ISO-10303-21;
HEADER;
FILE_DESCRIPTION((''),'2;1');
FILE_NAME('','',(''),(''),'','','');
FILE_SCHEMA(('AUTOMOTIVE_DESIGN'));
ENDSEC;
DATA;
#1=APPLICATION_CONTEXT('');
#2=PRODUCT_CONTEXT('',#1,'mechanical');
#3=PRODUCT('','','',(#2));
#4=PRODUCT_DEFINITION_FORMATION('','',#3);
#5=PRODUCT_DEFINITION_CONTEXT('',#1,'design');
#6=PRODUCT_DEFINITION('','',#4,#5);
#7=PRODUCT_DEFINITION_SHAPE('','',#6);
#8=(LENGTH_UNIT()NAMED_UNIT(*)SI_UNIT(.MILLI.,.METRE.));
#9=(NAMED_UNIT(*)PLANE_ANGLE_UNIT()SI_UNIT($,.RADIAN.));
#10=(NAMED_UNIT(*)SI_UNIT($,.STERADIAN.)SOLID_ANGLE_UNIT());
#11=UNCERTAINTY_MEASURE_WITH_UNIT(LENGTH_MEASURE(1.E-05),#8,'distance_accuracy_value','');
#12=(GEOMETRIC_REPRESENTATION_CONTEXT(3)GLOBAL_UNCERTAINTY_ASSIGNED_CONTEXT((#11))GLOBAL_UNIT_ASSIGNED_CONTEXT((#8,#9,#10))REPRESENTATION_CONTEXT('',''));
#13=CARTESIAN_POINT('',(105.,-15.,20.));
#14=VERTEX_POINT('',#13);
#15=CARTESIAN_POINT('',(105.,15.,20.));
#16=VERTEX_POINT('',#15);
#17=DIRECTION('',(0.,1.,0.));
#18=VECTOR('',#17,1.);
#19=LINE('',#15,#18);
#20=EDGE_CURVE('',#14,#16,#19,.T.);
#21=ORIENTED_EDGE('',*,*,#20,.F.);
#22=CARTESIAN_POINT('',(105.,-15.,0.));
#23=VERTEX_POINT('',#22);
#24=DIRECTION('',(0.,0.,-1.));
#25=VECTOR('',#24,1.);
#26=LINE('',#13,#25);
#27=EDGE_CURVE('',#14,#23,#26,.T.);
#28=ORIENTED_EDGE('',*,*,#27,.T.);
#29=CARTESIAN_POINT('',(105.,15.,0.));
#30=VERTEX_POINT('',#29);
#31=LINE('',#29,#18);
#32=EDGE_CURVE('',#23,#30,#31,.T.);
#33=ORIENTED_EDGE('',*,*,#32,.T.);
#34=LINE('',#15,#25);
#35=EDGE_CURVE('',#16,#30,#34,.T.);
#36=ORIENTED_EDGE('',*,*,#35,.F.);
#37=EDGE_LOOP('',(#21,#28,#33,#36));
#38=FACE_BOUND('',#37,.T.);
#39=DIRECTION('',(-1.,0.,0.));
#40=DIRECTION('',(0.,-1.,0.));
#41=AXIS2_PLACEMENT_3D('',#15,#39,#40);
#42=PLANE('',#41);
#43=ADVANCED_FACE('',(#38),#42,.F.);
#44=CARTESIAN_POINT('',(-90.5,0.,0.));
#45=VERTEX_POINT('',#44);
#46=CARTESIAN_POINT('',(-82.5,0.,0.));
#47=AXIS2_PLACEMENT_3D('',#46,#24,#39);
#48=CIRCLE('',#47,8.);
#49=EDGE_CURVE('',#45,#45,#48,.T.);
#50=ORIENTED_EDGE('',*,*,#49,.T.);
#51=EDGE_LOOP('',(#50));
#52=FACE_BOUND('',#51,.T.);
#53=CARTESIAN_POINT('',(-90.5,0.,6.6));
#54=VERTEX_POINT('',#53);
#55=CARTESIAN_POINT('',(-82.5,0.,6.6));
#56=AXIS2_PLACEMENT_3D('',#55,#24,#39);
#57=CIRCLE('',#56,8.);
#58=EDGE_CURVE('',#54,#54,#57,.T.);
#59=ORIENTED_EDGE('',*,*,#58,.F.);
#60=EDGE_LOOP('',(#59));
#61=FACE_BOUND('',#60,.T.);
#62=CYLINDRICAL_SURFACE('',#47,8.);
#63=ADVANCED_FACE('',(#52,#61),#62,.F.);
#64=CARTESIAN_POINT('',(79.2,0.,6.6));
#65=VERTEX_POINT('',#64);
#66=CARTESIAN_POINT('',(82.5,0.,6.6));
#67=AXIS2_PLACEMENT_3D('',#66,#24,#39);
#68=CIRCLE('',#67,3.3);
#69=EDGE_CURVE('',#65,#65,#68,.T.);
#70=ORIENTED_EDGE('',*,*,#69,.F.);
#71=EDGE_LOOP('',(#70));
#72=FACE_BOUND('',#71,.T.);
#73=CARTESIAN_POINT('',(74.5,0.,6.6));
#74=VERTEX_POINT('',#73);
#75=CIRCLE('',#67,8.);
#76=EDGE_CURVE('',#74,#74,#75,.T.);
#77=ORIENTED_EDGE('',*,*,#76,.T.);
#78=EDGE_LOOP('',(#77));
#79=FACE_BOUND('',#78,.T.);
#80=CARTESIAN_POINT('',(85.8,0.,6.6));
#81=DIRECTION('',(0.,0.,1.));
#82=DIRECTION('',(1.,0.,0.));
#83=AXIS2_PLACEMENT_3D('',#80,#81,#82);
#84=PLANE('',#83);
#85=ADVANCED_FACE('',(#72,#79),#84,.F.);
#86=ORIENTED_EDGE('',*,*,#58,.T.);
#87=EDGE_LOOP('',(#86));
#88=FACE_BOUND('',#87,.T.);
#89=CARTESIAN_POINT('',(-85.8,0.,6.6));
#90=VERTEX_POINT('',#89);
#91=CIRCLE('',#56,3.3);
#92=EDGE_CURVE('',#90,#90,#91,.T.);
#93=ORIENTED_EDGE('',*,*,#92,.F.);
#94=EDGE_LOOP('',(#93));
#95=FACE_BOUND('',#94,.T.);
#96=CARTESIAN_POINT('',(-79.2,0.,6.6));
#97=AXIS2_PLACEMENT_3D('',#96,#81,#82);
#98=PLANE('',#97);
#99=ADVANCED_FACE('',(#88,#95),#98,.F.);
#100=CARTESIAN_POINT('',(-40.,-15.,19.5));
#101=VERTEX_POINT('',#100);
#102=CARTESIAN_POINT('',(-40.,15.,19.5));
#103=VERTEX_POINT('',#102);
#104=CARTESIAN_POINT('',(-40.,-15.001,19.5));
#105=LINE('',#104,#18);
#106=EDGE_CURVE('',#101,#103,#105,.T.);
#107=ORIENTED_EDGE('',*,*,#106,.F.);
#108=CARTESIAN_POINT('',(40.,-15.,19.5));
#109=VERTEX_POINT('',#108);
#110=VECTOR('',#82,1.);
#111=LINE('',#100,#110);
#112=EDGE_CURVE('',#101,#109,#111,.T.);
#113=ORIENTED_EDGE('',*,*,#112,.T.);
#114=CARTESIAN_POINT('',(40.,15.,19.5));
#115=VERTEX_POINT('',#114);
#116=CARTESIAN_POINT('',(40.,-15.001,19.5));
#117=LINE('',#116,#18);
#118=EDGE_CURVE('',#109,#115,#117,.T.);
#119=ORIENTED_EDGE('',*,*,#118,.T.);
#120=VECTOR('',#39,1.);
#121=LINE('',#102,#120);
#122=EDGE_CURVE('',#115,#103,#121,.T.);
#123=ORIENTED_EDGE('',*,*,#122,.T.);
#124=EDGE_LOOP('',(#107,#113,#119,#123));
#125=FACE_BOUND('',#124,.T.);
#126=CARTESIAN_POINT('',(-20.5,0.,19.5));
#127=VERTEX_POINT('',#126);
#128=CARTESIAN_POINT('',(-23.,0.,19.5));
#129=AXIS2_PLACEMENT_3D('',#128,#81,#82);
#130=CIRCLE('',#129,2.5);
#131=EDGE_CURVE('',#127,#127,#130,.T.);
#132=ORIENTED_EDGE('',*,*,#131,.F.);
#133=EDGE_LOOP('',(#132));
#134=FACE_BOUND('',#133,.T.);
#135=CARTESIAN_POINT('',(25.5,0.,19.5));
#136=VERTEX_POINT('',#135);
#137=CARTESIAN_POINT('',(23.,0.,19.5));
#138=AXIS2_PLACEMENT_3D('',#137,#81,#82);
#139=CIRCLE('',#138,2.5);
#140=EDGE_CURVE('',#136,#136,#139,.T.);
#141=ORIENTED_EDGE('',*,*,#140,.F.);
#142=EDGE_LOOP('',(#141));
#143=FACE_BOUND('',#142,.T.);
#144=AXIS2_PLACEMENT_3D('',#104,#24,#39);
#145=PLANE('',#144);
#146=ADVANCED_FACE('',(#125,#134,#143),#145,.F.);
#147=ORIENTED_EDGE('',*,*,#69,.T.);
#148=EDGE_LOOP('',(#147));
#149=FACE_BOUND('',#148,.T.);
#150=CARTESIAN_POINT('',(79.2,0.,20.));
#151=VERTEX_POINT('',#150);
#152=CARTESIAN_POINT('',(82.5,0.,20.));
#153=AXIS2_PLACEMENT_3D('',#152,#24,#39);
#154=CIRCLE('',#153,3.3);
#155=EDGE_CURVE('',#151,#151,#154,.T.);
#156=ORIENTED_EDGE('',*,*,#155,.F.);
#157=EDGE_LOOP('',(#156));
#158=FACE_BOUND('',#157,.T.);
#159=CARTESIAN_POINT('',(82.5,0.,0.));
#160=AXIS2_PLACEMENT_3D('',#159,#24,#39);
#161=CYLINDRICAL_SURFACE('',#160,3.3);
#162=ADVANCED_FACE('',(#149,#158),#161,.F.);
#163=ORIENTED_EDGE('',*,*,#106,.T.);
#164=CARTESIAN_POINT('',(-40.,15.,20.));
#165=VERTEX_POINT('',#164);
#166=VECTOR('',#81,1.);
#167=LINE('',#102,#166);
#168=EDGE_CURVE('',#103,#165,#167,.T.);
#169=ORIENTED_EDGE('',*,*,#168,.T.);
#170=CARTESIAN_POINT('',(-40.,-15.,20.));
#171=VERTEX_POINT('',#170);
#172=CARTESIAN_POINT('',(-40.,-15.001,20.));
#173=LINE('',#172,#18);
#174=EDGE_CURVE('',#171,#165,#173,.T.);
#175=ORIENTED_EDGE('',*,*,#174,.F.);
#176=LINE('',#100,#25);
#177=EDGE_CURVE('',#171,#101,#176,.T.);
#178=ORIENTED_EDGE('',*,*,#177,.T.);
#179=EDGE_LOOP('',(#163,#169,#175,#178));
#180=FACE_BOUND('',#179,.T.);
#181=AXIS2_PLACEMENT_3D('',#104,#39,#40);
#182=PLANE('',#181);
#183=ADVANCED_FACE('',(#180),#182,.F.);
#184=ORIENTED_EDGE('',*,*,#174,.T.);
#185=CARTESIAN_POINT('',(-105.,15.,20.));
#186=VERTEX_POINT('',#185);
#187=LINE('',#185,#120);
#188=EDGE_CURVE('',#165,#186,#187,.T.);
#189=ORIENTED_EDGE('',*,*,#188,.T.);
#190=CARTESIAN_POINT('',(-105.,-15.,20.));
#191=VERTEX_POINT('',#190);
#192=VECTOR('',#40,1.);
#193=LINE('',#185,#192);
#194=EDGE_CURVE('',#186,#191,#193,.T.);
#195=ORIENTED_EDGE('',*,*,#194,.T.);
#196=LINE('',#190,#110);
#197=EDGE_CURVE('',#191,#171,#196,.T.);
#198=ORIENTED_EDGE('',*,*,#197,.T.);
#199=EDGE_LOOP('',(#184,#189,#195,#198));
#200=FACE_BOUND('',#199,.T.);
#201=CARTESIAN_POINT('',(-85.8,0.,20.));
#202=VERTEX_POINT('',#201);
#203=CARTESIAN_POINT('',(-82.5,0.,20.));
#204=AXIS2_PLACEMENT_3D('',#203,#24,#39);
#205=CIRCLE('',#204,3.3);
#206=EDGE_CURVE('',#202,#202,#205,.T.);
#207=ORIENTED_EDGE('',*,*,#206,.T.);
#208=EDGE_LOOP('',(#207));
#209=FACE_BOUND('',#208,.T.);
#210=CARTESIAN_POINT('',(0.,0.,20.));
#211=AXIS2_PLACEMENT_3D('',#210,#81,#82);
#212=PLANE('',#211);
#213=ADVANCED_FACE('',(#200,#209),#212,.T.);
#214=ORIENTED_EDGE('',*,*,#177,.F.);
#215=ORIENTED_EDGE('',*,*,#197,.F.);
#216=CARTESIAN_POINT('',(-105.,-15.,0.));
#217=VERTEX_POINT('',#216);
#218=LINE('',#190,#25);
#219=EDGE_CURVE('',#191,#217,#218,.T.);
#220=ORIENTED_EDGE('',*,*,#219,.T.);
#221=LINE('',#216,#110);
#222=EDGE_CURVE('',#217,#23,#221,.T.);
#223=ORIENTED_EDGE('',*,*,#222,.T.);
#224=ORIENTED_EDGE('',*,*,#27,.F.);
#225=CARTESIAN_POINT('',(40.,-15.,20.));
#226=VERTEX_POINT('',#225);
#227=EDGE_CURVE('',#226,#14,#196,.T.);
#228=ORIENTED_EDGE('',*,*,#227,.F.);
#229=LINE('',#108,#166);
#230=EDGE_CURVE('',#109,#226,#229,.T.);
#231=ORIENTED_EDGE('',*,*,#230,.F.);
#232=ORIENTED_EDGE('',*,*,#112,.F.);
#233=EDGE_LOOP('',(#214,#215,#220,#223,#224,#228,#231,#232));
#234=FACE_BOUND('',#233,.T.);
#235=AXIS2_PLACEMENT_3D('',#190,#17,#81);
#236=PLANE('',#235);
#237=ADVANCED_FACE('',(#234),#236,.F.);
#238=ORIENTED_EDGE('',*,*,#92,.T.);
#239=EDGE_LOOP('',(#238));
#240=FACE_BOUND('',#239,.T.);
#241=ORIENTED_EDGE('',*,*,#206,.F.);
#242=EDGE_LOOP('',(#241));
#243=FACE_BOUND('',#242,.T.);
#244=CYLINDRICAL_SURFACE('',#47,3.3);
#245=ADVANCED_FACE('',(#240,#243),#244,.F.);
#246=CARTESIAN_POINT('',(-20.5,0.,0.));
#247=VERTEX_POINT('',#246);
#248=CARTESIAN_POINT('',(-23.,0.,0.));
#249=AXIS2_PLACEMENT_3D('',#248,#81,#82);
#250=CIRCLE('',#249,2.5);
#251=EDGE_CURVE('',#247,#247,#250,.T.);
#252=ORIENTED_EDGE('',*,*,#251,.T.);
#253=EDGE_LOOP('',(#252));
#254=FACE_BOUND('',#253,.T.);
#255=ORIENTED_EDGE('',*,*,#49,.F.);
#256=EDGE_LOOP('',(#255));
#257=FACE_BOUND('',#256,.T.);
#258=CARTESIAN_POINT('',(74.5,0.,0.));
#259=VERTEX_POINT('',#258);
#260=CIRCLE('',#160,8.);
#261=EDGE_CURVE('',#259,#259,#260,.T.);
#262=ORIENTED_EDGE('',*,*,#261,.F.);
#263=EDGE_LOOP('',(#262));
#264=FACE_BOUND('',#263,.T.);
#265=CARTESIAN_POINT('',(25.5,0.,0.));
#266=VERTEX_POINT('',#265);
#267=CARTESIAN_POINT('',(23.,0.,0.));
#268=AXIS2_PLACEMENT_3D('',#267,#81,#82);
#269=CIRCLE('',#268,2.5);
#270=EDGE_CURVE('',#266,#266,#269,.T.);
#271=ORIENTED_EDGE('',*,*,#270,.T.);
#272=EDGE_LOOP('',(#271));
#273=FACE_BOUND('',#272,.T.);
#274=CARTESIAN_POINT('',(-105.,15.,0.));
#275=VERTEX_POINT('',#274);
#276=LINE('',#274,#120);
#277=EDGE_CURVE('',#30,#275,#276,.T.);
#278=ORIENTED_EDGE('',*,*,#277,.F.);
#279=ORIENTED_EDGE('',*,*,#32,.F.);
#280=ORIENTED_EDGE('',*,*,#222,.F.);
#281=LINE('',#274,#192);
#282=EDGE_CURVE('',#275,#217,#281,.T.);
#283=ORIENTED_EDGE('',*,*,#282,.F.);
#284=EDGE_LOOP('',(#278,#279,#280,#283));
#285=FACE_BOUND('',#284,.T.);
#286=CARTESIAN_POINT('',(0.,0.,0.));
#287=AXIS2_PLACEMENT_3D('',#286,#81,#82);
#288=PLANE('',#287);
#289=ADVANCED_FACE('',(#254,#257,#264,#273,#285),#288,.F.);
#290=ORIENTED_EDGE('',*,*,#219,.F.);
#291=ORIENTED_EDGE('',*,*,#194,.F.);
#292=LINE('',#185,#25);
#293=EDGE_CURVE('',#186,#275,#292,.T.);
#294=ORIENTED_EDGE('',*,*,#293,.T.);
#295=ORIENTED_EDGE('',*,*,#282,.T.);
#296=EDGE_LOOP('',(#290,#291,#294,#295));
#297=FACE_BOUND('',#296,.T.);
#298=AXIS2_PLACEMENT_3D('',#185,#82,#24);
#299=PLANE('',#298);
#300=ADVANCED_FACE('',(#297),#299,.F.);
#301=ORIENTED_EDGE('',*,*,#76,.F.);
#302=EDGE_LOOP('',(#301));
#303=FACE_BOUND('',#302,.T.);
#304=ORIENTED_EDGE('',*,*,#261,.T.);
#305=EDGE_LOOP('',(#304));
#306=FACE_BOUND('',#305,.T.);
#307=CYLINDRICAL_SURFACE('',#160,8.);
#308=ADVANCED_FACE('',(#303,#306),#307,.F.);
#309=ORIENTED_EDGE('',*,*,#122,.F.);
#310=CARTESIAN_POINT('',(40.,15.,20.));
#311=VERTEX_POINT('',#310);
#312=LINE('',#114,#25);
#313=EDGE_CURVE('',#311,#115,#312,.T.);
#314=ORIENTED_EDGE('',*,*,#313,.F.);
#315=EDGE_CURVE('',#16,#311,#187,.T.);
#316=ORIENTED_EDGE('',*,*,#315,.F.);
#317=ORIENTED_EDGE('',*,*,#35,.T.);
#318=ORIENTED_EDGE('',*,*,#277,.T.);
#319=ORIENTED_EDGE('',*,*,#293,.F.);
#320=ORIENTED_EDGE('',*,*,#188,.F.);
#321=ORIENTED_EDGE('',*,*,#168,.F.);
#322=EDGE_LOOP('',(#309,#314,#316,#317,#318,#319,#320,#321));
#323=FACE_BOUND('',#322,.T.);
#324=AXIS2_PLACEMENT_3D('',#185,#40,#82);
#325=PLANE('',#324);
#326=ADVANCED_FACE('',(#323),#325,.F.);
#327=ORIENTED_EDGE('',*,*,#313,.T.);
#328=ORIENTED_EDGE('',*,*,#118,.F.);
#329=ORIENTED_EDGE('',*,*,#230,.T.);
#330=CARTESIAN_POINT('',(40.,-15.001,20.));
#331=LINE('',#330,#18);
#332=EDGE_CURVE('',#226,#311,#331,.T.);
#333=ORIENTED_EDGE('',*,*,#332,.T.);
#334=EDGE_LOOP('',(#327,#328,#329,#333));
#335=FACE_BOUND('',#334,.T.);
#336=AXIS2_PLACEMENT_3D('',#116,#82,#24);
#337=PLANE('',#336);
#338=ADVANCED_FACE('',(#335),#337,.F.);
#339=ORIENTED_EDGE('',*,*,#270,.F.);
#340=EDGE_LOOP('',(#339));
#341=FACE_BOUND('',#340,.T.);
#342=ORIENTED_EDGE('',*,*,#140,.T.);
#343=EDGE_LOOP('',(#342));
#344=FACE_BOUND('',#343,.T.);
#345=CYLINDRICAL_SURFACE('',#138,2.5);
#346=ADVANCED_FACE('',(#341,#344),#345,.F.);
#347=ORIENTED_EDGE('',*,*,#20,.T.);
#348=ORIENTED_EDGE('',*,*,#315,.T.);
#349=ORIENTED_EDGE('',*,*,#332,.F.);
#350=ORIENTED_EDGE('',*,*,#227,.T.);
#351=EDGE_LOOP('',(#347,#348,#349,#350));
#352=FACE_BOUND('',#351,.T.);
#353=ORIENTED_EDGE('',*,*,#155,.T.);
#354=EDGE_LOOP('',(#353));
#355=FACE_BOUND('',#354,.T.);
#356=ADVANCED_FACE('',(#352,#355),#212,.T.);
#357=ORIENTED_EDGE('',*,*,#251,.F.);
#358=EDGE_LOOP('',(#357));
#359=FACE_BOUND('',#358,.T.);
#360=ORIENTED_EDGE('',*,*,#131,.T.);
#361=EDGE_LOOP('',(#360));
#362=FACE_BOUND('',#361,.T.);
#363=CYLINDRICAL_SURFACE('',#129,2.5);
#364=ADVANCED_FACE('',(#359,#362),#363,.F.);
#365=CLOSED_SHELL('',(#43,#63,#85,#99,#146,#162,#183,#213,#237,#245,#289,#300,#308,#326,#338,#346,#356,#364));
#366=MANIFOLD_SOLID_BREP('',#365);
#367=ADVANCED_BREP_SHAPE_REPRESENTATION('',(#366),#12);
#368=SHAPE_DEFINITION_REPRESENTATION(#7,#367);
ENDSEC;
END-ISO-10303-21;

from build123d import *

# Parameters (mm, degrees)
SKETCH1_W                                      = 210
SKETCH1_H                                      = 30
EXTRUDE1_DEPTH                                 = 20
CBORE_FOR_M6_HEX_HEAD_FLANGE_BOLT1_D           = 6.6
CBORE_FOR_M6_HEX_HEAD_FLANGE_BOLT1_CBORE_D     = 16
CBORE_FOR_M6_HEX_HEAD_FLANGE_BOLT1_CBORE_DEPTH = 6.6
CUT_EXTRUDE1_REACH                             = 32
SKETCH4_W                                      = 80
SKETCH4_H                                      = 0.5
M6_TAPPED_HOLE1_D                              = 5


with BuildPart() as part:
    # Sketch1 → Extrude1 (new body)
    with BuildSketch(Plane.XY):
        Rectangle(SKETCH1_W, SKETCH1_H)
    extrude(amount=EXTRUDE1_DEPTH)

    # CBORE for M6 Hex Head Flange Bolt1 (through all)
    with Locations(Plane(origin=(0, 0, 0), x_dir=(-1, 0, 0), z_dir=(0, 0, -1))):
        with Locations((82.5, 0), (-82.5, 0)):
            CounterBoreHole(CBORE_FOR_M6_HEX_HEAD_FLANGE_BOLT1_D / 2, CBORE_FOR_M6_HEX_HEAD_FLANGE_BOLT1_CBORE_D / 2, CBORE_FOR_M6_HEX_HEAD_FLANGE_BOLT1_CBORE_DEPTH)

    # Sketch4 → Cut-Extrude1 (cut, up to next)
    with BuildSketch(Plane(origin=(0, 15, 0), x_dir=(1, 0, 0), z_dir=(0, 1, 0)), mode=Mode.PRIVATE) as cut_extrude1_sk1:
        with Locations((0, -19.75)):
            Rectangle(SKETCH4_W, SKETCH4_H)
    cut_extrude1_tool1 = extrude(cut_extrude1_sk1.sketch, amount=-CUT_EXTRUDE1_REACH, mode=Mode.PRIVATE) & part.part
    add(cut_extrude1_tool1.solids().sort_by_distance((0, 15, 19.75))[0], mode=Mode.SUBTRACT)

    # M6 Tapped Hole1 (through all)
    with Locations(Plane.XY.offset(19.5)):
        with Locations((-23, 0), (23, 0)):
            Hole(M6_TAPPED_HOLE1_D / 2)


solid = part.part
